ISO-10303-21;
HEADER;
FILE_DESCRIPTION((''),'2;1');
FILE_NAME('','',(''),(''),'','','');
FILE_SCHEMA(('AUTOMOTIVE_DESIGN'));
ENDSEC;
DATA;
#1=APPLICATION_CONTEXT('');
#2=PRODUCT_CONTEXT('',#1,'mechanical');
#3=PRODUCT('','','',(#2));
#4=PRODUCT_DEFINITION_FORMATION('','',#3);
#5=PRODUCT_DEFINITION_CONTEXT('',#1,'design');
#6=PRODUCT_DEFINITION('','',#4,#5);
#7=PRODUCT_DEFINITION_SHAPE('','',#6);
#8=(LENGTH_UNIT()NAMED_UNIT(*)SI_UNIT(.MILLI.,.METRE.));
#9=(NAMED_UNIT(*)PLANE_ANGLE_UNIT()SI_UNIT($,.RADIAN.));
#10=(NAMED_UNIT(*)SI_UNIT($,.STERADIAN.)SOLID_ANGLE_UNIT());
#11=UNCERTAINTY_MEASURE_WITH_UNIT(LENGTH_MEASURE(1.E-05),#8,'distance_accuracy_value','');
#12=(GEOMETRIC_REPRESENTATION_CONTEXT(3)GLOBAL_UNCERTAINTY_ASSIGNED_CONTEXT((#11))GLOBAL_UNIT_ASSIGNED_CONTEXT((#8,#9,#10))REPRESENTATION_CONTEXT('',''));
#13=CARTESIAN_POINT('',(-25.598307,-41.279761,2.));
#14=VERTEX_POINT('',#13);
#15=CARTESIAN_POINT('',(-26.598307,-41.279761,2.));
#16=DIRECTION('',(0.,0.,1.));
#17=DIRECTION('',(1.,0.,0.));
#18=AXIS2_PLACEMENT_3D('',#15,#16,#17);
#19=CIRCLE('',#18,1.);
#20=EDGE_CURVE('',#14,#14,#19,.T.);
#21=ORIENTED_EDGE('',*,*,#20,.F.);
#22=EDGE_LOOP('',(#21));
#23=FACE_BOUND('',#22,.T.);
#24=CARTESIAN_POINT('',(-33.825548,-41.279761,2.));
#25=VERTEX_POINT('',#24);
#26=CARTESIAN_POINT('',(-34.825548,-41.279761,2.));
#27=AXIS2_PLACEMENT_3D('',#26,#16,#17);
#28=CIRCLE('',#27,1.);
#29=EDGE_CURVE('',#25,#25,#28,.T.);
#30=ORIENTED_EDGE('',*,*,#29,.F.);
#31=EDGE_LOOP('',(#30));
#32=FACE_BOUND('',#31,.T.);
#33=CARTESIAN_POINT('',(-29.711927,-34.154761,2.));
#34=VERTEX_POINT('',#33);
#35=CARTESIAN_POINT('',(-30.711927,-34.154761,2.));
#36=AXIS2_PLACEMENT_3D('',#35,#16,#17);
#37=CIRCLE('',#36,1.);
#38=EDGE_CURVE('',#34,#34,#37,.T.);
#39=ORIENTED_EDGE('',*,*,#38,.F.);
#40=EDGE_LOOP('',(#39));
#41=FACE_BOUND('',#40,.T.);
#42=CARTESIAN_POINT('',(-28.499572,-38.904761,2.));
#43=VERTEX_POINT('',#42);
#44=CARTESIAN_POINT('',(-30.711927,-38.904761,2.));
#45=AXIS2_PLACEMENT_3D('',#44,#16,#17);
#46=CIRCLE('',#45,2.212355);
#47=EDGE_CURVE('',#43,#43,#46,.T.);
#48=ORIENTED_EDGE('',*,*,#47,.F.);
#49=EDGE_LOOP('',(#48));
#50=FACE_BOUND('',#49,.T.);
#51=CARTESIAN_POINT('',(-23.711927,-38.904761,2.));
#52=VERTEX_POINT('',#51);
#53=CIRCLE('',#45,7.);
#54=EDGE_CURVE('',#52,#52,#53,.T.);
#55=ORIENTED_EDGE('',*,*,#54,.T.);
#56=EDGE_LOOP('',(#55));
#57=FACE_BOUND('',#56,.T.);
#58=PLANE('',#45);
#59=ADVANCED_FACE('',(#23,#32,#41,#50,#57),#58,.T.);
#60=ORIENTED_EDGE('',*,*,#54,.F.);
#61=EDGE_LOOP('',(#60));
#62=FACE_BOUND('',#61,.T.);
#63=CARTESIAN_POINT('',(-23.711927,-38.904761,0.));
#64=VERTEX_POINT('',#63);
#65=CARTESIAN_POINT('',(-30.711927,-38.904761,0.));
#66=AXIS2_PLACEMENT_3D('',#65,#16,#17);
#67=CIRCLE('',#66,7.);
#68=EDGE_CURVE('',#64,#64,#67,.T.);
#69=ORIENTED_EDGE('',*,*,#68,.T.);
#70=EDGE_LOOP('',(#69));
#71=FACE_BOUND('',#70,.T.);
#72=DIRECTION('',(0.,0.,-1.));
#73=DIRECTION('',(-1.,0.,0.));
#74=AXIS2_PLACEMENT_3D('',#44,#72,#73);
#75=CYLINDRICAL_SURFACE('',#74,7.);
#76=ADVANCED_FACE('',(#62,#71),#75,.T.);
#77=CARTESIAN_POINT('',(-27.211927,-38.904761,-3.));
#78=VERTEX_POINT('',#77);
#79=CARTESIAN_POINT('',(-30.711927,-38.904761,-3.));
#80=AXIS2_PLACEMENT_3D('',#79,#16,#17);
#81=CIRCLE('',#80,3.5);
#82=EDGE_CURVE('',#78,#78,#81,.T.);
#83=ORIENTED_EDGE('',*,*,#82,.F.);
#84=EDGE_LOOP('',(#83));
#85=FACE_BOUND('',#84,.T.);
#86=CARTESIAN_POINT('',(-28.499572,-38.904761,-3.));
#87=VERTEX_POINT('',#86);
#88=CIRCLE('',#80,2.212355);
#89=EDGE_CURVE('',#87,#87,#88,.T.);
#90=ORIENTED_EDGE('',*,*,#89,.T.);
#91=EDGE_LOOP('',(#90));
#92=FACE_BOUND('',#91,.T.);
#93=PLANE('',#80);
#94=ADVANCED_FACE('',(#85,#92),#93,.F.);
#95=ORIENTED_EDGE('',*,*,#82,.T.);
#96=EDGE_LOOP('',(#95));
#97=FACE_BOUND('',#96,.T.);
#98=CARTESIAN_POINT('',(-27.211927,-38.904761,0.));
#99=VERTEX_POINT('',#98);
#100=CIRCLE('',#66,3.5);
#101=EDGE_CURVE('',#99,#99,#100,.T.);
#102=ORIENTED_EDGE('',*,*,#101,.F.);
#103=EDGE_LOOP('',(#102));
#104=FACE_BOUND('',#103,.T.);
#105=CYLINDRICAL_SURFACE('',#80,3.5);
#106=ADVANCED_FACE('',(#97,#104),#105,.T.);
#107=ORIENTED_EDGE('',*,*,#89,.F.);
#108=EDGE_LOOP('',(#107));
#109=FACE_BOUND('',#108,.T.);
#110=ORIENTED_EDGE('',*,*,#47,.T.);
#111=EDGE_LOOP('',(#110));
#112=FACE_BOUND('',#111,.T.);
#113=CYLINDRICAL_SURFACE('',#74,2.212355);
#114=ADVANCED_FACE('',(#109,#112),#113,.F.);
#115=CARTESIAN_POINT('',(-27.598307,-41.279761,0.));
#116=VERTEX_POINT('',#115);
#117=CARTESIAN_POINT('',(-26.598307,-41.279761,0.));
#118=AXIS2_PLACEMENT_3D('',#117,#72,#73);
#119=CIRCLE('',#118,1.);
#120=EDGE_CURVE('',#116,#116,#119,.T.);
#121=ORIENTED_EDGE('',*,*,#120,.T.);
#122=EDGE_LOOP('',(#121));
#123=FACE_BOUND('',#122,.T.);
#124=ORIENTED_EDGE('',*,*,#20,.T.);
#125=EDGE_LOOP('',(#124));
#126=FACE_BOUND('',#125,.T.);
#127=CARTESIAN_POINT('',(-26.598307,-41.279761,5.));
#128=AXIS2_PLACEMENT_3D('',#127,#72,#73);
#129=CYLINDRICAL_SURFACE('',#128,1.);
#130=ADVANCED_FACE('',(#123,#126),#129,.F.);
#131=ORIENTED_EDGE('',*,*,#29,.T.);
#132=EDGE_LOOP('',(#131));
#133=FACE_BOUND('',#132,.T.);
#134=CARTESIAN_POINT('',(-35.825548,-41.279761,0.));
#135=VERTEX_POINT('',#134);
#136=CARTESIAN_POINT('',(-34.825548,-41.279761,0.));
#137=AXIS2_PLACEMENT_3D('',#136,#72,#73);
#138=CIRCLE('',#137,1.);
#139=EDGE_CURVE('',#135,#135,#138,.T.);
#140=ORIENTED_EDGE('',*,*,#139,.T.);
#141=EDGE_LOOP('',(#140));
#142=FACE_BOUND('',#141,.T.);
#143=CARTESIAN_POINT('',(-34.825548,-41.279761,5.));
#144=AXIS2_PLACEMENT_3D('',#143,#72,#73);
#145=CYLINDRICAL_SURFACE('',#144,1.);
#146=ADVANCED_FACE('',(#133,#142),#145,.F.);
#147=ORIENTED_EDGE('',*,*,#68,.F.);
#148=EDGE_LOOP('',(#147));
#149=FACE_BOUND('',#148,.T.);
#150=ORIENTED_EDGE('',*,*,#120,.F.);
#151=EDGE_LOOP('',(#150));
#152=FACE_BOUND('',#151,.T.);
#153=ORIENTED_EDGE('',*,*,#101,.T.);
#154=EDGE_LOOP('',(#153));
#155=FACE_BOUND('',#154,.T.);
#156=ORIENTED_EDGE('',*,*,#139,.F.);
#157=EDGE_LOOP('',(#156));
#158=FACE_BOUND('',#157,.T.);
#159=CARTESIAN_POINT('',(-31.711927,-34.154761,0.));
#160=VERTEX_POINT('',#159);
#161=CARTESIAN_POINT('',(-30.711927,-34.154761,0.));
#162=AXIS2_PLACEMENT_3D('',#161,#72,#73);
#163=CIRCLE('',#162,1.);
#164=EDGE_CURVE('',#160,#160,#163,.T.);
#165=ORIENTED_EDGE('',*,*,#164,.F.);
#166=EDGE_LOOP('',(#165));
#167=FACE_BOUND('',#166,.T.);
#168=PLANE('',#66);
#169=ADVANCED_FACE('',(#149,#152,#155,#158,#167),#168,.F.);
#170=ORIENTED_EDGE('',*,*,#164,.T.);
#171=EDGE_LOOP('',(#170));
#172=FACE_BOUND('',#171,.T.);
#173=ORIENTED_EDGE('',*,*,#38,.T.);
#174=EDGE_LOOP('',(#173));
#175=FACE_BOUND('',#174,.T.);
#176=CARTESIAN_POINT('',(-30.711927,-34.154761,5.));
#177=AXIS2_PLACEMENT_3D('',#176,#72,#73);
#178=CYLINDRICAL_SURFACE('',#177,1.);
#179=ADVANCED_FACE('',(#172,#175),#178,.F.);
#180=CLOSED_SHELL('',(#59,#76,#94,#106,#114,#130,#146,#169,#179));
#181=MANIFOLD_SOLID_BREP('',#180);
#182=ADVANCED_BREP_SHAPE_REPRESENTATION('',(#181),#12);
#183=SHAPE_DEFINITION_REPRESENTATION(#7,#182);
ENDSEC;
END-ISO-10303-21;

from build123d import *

# Parameters (mm, degrees)
IZIM1_R                     = 7
IZIM1_R_2                   = 2.212355073
Y_KSEKLIK_EKSTR_ZYON1_DEPTH = 2
IZIM2_R                     = 3.5
IZIM2_R_2                   = 2.212355073
Y_KSEKLIK_EKSTR_ZYON2_DEPTH = 5
IZIM3_R                     = 1
KES_EKSTR_ZYON1_DEPTH       = 5


with BuildPart() as part:
    # Çizim1 → Yükseklik-Ekstrüzyon1 (new body)
    with BuildSketch(Plane.XY):
        with Locations((-30.711927379, -38.904760786)):
            Circle(IZIM1_R)
        with Locations((-30.711927379, -38.904760786)):
            Circle(IZIM1_R_2, mode=Mode.SUBTRACT)
    extrude(amount=Y_KSEKLIK_EKSTR_ZYON1_DEPTH)

    # Çizim2 → Yükseklik-Ekstrüzyon2 (add)
    with BuildSketch(Plane.XY.offset(2)):
        with Locations((-30.711927379, -38.904760786)):
            Circle(IZIM2_R)
        with Locations((-30.711927379, -38.904760786)):
            Circle(IZIM2_R_2, mode=Mode.SUBTRACT)
    extrude(amount=-Y_KSEKLIK_EKSTR_ZYON2_DEPTH)

    # Çizim3 → Kes-Ekstrüzyon1 (cut)
    with BuildSketch(Plane(origin=(0, 0, 0), x_dir=(-1, 0, 0), z_dir=(0, 0, -1))):
        with Locations((30.711927379, -34.154760786)):
            Circle(IZIM3_R)
        with Locations((34.825548047, -41.279760786)):
            Circle(IZIM3_R)
        with Locations((26.598306711, -41.279760786)):
            Circle(IZIM3_R)
    extrude(amount=-KES_EKSTR_ZYON1_DEPTH, mode=Mode.SUBTRACT)


solid = part.part
